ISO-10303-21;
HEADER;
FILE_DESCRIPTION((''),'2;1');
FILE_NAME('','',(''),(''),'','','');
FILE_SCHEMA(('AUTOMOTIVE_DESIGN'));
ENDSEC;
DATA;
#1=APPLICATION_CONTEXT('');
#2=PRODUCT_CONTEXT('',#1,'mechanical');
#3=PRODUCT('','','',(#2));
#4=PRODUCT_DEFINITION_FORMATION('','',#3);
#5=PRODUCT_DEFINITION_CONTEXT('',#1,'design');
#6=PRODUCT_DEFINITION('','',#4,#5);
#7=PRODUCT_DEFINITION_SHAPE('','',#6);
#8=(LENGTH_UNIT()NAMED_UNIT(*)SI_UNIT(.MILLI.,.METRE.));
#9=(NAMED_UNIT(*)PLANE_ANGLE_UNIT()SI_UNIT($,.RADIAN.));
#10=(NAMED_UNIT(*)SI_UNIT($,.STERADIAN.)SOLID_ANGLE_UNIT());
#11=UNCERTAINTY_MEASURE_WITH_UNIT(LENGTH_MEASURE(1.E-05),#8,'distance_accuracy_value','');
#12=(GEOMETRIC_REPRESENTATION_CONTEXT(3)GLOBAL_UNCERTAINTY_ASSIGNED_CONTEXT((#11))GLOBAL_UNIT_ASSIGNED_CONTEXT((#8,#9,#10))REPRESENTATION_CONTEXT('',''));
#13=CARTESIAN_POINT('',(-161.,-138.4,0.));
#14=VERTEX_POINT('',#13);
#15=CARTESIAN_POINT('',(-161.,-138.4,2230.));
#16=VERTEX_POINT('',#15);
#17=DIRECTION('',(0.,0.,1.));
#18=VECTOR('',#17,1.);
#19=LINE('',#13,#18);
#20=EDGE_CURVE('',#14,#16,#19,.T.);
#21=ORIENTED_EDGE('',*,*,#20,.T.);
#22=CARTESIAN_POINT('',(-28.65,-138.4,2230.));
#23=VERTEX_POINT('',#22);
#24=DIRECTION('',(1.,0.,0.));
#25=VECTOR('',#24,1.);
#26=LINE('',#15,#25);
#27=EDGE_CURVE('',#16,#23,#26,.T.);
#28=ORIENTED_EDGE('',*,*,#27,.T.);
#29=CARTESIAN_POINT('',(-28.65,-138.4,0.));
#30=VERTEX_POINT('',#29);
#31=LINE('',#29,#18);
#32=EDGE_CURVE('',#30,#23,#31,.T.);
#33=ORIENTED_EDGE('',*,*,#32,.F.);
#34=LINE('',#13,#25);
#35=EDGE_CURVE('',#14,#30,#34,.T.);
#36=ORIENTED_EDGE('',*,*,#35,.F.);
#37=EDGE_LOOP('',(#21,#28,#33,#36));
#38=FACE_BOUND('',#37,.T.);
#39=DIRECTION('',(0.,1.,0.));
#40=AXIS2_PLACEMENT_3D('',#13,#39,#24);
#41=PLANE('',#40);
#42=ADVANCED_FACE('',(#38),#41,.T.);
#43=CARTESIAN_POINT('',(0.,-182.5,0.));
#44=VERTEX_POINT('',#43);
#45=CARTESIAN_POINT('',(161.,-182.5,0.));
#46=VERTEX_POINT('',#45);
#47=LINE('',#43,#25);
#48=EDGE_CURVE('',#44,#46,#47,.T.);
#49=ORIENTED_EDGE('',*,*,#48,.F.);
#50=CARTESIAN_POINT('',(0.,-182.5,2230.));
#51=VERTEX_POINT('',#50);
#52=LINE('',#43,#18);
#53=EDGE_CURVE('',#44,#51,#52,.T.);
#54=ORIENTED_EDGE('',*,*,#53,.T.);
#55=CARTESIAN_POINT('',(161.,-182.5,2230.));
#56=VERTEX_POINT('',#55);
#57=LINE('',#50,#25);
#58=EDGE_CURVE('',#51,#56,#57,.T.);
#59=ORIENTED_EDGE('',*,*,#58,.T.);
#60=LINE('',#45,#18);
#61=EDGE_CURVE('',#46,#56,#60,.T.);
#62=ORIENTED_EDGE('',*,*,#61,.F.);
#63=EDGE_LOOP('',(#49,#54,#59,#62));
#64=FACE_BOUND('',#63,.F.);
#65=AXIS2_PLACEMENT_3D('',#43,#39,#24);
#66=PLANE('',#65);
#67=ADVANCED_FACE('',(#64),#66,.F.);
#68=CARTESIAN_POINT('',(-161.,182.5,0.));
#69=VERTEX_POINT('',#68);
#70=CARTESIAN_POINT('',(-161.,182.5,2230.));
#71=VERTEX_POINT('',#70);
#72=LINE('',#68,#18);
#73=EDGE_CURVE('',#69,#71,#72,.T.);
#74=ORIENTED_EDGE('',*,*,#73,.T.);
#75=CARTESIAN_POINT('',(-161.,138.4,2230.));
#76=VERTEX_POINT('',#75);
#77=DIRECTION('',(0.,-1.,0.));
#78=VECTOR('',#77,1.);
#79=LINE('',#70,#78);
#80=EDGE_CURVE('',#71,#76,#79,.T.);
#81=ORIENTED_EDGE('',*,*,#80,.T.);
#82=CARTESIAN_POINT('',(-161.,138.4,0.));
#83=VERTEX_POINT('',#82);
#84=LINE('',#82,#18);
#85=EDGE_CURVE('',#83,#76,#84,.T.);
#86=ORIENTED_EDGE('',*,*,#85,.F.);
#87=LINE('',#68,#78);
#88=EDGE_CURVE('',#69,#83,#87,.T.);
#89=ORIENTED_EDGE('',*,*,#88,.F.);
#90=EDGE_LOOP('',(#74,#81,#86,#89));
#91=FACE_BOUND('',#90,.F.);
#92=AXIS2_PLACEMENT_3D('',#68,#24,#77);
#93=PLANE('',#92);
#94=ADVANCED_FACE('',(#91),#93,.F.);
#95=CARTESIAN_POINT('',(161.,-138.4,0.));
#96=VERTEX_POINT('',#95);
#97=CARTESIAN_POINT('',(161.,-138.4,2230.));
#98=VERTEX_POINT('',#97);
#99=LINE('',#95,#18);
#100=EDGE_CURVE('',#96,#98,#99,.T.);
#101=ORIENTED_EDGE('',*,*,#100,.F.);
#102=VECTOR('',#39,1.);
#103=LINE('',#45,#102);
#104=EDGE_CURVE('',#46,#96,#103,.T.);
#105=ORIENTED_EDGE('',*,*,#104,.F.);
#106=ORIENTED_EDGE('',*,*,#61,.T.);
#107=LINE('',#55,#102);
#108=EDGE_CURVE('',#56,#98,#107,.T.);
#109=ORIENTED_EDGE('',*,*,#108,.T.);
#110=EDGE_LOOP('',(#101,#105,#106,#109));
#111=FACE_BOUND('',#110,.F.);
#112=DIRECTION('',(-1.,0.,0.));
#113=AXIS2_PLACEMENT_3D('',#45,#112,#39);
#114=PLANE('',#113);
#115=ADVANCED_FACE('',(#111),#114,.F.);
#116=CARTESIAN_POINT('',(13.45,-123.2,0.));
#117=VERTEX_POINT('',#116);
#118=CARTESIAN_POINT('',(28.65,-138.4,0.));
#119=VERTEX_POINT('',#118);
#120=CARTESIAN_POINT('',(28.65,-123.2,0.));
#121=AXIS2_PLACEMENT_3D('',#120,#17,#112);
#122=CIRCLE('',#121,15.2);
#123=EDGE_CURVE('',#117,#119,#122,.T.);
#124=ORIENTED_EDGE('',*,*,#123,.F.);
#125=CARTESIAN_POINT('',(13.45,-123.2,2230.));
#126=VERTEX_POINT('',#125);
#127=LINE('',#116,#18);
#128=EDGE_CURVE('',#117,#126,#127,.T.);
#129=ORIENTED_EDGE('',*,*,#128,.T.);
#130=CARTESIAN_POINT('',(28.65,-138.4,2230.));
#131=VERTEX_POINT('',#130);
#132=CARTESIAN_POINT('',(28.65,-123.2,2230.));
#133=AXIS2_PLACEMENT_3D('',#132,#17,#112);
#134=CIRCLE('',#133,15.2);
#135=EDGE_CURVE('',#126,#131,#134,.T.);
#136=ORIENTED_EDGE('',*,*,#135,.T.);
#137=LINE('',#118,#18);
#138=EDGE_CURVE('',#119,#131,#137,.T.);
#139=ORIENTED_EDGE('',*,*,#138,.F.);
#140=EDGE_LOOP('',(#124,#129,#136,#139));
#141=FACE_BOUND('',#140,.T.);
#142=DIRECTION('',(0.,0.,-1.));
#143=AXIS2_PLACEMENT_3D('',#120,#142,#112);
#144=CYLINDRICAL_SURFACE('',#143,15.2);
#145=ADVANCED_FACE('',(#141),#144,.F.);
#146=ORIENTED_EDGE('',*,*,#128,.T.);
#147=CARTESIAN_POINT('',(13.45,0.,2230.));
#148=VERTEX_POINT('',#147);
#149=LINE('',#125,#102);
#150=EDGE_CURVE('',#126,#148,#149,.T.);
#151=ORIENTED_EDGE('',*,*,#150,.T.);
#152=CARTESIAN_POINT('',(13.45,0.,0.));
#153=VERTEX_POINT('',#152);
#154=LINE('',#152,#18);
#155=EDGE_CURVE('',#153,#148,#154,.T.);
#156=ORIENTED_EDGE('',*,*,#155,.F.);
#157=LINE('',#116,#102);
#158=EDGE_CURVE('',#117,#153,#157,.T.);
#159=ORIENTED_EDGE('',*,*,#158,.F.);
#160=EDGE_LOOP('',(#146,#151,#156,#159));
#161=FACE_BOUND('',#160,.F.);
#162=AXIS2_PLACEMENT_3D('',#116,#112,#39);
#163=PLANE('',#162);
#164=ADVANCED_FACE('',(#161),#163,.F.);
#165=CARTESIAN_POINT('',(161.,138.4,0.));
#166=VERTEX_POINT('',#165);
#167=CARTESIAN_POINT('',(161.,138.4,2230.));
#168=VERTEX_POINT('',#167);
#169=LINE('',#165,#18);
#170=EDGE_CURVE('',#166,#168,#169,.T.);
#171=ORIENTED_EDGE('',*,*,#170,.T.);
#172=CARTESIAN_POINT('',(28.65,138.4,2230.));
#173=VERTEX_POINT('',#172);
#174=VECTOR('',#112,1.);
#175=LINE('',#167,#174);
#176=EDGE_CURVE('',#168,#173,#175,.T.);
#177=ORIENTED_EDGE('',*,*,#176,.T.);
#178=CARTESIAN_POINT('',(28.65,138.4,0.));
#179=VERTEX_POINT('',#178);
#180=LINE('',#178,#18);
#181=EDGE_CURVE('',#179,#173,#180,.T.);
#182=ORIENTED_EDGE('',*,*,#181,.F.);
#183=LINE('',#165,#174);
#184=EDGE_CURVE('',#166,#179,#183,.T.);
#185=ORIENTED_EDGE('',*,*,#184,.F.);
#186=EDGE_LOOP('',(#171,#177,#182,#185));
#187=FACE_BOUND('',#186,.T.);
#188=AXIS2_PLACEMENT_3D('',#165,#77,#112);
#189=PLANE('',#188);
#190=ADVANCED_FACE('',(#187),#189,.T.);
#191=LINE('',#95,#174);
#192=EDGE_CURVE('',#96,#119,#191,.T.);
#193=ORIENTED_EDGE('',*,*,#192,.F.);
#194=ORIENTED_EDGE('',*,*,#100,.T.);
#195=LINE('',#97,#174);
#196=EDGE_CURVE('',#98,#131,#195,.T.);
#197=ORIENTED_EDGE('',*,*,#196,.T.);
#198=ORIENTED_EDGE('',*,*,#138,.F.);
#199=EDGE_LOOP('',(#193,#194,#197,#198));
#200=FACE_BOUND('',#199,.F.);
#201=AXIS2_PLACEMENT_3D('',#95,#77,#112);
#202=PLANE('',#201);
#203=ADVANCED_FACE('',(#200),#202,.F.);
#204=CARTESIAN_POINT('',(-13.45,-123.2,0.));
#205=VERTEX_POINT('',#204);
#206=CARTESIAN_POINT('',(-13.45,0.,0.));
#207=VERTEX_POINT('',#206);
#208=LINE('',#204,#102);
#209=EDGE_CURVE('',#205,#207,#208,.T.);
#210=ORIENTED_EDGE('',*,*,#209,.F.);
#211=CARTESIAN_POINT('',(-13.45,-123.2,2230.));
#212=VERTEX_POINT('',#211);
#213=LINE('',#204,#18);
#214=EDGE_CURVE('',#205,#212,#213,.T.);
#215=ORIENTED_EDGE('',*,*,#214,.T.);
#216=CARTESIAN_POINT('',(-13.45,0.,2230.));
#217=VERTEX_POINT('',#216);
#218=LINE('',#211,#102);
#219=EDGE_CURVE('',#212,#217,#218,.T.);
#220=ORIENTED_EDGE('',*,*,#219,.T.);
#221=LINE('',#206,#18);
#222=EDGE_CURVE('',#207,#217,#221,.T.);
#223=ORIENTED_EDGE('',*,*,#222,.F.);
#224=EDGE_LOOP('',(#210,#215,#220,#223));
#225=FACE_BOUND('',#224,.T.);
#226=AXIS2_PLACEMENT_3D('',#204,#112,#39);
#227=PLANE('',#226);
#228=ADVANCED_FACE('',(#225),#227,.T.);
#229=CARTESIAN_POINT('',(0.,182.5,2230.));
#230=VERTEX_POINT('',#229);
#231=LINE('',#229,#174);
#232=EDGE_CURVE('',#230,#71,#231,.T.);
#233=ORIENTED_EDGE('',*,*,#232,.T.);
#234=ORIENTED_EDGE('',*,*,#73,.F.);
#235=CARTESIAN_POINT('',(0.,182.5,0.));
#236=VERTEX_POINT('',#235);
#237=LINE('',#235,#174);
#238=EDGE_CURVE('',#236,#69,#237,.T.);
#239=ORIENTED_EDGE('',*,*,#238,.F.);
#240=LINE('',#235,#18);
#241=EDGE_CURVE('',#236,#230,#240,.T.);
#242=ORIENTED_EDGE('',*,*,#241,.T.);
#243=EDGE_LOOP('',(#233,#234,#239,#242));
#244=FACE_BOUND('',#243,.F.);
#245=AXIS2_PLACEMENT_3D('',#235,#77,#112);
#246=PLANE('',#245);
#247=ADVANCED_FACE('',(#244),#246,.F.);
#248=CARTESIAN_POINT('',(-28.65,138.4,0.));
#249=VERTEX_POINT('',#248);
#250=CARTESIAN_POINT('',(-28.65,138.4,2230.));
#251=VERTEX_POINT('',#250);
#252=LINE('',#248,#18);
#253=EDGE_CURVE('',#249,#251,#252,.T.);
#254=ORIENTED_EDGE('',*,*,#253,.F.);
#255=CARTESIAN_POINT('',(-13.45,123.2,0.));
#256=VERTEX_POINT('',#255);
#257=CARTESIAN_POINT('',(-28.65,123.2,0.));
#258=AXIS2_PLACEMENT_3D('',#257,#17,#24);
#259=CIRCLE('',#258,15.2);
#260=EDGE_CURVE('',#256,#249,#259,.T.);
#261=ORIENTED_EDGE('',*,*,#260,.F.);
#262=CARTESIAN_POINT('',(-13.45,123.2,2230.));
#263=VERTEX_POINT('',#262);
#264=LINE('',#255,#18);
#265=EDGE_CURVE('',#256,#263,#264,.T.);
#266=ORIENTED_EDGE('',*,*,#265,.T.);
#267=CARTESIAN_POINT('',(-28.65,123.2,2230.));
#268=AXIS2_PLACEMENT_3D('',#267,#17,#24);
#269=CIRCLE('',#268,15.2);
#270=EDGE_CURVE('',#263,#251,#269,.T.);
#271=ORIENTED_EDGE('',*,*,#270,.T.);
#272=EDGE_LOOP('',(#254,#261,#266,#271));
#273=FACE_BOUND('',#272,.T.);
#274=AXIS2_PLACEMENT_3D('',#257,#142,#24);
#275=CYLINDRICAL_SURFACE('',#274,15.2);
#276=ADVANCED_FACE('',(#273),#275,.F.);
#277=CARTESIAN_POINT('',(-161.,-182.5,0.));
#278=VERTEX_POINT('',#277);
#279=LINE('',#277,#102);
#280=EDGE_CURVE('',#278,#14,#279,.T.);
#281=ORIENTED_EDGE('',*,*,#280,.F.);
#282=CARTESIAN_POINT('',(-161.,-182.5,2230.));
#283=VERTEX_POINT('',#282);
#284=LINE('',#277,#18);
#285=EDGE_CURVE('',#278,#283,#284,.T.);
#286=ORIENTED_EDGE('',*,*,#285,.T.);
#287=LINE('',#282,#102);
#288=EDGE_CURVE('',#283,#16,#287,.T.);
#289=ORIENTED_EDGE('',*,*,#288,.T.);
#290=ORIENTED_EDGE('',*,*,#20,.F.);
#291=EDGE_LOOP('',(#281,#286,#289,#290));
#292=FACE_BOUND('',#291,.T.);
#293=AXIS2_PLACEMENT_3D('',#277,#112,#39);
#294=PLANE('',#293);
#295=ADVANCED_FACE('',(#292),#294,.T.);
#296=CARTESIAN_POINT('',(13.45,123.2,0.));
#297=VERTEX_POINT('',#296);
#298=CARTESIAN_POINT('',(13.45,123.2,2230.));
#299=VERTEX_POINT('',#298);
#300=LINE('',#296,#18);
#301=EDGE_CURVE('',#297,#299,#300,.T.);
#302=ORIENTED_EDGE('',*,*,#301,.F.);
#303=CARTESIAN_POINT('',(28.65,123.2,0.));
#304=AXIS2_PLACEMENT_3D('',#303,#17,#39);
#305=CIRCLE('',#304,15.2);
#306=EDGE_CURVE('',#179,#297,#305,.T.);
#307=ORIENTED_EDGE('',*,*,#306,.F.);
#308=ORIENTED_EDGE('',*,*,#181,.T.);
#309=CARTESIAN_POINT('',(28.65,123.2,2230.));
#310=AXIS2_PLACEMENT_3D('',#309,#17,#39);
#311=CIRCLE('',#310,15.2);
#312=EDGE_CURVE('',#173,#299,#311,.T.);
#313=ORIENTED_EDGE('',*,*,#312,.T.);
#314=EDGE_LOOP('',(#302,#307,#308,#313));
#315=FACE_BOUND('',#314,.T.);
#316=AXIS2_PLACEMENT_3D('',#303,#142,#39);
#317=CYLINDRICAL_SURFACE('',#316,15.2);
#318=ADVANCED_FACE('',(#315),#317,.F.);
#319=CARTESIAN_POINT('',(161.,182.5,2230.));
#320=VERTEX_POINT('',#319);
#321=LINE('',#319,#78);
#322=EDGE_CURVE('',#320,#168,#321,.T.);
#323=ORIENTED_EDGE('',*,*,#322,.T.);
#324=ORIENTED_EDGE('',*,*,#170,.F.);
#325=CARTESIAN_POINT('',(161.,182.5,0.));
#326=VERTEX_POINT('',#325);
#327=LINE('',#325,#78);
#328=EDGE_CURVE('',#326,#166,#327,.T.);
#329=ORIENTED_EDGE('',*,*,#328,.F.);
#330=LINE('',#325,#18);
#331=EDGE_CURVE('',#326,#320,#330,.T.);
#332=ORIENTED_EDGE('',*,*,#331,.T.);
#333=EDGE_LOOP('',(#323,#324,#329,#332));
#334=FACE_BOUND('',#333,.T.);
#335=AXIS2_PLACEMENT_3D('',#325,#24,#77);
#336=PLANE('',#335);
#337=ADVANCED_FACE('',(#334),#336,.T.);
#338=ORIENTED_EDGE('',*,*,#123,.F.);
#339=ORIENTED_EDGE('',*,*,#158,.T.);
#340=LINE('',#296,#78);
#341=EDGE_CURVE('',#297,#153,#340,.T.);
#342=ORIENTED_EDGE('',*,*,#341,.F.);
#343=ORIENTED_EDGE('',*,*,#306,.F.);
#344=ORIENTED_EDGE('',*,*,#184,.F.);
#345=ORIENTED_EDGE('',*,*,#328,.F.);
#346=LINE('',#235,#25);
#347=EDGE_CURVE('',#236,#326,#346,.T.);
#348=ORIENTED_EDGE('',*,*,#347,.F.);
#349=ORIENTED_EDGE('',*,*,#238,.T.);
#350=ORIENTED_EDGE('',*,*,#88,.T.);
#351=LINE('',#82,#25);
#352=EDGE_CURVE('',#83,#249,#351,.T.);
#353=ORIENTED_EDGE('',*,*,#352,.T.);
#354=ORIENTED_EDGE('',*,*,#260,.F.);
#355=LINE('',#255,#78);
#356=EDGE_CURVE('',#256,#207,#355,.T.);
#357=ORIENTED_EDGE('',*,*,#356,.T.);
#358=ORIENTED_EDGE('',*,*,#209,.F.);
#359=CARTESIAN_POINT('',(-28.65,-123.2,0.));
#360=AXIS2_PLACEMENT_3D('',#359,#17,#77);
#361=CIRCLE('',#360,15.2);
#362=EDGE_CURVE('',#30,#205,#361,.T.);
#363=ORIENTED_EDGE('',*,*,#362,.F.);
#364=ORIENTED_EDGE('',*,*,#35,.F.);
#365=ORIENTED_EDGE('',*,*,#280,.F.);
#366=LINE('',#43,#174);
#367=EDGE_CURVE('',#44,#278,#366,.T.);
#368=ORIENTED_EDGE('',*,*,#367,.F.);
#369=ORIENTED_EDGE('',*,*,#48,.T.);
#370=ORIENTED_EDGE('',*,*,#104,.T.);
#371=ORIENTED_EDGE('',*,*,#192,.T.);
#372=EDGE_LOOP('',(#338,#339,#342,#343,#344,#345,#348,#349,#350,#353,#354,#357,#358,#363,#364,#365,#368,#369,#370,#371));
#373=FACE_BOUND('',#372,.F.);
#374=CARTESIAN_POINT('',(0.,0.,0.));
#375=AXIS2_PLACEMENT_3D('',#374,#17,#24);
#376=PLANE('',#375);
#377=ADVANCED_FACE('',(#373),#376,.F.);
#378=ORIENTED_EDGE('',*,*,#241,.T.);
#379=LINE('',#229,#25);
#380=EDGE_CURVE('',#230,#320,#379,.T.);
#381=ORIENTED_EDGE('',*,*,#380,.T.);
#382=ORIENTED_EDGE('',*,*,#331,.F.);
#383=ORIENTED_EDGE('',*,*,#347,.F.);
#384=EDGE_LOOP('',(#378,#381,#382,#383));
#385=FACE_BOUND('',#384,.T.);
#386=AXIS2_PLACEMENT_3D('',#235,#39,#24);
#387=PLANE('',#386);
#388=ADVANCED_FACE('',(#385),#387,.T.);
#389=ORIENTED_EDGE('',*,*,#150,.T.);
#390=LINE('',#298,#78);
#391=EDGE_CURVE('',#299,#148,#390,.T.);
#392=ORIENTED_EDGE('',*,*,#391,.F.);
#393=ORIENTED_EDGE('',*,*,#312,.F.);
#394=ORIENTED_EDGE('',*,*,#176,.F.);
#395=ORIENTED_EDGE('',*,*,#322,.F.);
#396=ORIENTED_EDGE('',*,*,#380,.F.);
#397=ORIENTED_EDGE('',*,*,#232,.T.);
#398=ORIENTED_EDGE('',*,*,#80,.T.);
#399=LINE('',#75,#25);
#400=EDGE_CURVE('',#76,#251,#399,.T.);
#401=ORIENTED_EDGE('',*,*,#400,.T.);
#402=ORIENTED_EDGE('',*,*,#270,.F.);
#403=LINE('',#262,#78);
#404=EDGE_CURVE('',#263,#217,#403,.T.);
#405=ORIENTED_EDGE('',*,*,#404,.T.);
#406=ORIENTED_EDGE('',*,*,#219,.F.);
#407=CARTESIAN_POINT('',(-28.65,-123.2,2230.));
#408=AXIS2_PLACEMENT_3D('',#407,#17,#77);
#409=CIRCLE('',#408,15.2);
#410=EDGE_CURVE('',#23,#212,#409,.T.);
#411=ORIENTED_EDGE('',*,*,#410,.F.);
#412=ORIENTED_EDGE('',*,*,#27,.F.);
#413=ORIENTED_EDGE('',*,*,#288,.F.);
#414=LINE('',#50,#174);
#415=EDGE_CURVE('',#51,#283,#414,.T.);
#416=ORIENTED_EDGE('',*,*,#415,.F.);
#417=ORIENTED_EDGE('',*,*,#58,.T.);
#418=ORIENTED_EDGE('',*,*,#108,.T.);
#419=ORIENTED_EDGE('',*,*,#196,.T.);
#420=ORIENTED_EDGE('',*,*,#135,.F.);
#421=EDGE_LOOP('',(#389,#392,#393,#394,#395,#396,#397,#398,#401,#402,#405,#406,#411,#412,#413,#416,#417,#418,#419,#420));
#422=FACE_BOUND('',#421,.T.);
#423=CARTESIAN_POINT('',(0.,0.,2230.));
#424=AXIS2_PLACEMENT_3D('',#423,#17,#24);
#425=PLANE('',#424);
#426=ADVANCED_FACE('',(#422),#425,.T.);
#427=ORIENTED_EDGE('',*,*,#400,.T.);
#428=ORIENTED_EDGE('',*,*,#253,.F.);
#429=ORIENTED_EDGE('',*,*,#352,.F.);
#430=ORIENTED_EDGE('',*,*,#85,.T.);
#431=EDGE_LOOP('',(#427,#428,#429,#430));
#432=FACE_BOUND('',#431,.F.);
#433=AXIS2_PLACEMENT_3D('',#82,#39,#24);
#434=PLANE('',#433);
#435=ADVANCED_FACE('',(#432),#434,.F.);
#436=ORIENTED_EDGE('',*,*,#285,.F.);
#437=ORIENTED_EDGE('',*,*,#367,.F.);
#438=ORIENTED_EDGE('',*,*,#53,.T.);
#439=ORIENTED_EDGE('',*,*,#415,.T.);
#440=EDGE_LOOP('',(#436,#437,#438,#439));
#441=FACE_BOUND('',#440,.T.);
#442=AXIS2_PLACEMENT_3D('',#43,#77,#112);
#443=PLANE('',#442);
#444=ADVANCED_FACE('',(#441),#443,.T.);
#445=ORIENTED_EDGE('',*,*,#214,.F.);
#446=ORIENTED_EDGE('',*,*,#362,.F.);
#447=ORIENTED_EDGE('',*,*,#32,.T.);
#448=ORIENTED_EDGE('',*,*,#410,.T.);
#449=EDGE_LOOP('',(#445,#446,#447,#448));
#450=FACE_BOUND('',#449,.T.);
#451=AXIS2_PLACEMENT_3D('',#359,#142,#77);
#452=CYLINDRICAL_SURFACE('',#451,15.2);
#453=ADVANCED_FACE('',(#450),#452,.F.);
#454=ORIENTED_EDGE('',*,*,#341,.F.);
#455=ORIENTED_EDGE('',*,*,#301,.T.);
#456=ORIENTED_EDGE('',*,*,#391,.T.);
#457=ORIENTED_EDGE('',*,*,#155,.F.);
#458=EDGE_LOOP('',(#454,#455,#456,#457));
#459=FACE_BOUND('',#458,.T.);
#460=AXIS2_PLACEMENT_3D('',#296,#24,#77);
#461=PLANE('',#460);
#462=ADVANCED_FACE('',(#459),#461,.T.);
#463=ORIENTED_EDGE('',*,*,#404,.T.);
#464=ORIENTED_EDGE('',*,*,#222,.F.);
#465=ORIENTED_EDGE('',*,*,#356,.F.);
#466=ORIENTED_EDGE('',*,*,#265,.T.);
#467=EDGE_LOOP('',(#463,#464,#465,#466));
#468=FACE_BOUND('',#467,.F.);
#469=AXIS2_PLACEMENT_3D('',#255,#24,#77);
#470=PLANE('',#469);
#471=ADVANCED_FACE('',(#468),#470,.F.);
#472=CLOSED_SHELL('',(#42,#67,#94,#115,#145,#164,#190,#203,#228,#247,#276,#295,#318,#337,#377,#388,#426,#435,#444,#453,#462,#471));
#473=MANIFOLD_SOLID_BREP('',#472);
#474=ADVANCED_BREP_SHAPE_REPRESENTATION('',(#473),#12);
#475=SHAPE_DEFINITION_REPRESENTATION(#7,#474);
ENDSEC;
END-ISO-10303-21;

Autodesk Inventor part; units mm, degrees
ref_plane "YZ Plane" through (0, 0, 0) normal (1, 0, 0) x (0, 1, 0)
ref_plane "Start plane" through (0, 0, 0) normal (0, 0, 1) x (1, 0, 0)
ref_plane "End plane" through (0, 0, 2230) normal (0, 0, 1) x (1, 0, 0)
sketch "Sketch" plane through (0, 0, 0) normal (0, 0, 1) x (1, 0, 0)
  line L0 (-161, -182.5) -> (-161, -138.4)
  line L1 (-161, -138.4) -> (-28.65, -138.4)
  line L2 (-13.45, -123.2) -> (-13.45, 0)
  line L3 (-13.45, 0) -> (0, 0) construction
  line L4 (0, 0) -> (0, -182.5) construction
  line L5 (0, -182.5) -> (-161, -182.5)
  line L6 (-60, 0) -> (80, 0) construction
  line L7 (0, -60) -> (0, 80) construction
  line L8 (161, -182.5) -> (161, -138.4)
  line L9 (161, -138.4) -> (28.65, -138.4)
  line L10 (13.45, -123.2) -> (13.45, 0)
  line L11 (13.45, 0) -> (0, 0) construction
  line L12 (0, -182.5) -> (161, -182.5)
  line L13 (-161, 182.5) -> (-161, 138.4)
  line L14 (-161, 138.4) -> (-28.65, 138.4)
  line L15 (-13.45, 123.2) -> (-13.45, 0)
  line L16 (0, 182.5) -> (-161, 182.5)
  line L17 (161, 182.5) -> (161, 138.4)
  line L18 (161, 138.4) -> (28.65, 138.4)
  line L19 (0, 182.5) -> (161, 182.5)
  line L20 (13.45, 123.2) -> (13.45, 0)
  arc A0 (-13.45, 123.2) -> (-28.65, 138.4) centre (-28.65, 123.2) ccw
  arc A1 (28.65, 138.4) -> (13.45, 123.2) centre (28.65, 123.2) ccw
  arc A2 (13.45, -123.2) -> (28.65, -138.4) centre (28.65, -123.2) ccw
  arc A3 (-28.65, -138.4) -> (-13.45, -123.2) centre (-28.65, -123.2) ccw
  line L21 (0, 108) -> (0, -88) construction
  line L22 (-88, 0) -> (108, 0) construction
  point P0 (-13.45, -138.4)
  point P1 (13.45, -138.4)
  point P2 (-13.45, 138.4)
  point P3 (13.45, 138.4)
  dimension "d1" = 182.5
  dimension "d2" = 44.1
  dimension "d3" = 161
  dimension "d4" = 13.45
  dimension "d10" = 15.2
extrude "Body" add sketch "Sketch" along normal up to surface (2230 mm away) from surface at 0
sketch "Sketch4" plane through (0, 0, 0) normal (0, 0, 1) x (1, 0, 0)
  line L0 (0, 0) -> (10, 0)
ref_plane "Work Plane3" through (0, 0, 0) normal (0, -1, 0) x (1, 0, 0)
sketch "Sketch5" plane through (0, 0, 0) normal (0, -1, 0) x (1, 0, 0)
  line L0 (-2, 0) -> (12, 0) projected
  line L1 (-2, 2230) -> (12, 2230) projected
  dimension "d14" = 2230
equation "\"d1\" = 0.5 * G_H"
equation "\"d2\" = G_T1"
equation "\"d3\" = 0.5 * G_W"
equation "\"d4\" = 0.5 * G_T"
equation "\"d10\" = G_IR"
equation "\"d5\" = G_L"
equation "\"G_W\" = 322"
equation "\"G_H\" = 365"
equation "\"G_T\" = 26.9"
equation "\"G_T1\" = 44.1"
equation "\"G_IR\" = 15.2"
equation "\"G_L\" = d14"
equation "\"G_OFFSET_START\" = 0"
equation "\"G_OFFSET_END\" = 0"
properties part number "AS 3679 - 310 UC - 283 - 2230" material "Steel, Mild"
